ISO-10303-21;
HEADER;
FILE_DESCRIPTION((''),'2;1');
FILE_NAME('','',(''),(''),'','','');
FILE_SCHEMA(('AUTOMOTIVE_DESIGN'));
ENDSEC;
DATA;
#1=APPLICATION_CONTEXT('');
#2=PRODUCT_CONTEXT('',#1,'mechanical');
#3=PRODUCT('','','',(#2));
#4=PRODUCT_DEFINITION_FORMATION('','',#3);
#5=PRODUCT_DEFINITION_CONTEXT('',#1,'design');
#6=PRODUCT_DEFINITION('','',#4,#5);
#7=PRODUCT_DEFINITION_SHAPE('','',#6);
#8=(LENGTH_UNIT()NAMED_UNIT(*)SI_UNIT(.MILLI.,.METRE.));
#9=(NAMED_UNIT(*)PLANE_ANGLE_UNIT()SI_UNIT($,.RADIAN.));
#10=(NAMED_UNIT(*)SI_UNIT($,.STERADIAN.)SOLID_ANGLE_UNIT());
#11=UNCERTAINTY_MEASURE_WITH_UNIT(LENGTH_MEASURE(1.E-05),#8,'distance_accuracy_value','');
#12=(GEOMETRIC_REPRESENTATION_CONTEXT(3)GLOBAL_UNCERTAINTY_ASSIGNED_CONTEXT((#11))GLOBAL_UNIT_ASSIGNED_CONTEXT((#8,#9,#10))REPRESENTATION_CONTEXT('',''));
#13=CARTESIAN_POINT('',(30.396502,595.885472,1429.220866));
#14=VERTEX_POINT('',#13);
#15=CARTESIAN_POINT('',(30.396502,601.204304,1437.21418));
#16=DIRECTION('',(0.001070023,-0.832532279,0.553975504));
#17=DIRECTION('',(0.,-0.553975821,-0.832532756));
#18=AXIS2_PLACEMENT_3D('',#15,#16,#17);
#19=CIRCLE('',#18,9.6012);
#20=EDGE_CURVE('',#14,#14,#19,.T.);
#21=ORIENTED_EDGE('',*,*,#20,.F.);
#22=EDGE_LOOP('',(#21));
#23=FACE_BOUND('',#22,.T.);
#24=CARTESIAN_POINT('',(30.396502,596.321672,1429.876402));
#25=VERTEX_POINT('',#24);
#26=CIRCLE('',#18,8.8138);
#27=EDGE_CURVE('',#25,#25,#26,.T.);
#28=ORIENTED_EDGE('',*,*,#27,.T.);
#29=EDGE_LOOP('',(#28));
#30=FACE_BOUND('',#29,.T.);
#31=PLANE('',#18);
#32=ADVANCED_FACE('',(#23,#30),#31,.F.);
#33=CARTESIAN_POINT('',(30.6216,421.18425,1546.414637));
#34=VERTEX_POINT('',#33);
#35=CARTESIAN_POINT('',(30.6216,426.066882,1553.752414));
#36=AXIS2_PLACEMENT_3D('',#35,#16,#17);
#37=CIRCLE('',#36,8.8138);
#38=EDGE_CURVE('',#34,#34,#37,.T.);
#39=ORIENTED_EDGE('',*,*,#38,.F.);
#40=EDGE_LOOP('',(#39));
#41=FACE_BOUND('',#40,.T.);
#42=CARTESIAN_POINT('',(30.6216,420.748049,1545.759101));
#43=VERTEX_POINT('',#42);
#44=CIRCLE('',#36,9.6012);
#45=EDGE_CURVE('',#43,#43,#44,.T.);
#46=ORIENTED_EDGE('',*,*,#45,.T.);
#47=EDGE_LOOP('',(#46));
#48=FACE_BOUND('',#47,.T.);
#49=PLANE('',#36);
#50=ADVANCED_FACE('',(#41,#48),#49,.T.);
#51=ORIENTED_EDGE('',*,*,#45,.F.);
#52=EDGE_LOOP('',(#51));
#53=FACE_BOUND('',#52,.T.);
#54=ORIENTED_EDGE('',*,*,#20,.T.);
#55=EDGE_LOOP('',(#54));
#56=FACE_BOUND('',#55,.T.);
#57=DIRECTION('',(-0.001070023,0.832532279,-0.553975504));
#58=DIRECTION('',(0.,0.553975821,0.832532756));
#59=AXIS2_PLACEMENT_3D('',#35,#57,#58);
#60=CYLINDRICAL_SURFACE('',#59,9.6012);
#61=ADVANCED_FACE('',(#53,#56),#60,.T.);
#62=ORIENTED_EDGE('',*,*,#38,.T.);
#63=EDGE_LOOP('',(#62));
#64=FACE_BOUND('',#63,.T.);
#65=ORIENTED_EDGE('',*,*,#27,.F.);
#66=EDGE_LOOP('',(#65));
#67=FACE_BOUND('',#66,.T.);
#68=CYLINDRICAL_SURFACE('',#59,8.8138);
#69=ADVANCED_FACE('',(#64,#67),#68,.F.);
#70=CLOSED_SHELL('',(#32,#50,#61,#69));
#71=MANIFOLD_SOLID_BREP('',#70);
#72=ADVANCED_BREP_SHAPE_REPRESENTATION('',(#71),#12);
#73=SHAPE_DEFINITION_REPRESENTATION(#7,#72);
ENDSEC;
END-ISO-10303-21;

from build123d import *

# Parameters (mm, degrees)
SKETCH2_R           = 9.601199998
SKETCH2_R_2         = 8.813799998
BOSS_EXTRUDE1_DEPTH = 210.367126


with BuildPart() as part:
    # Sketch2 → Boss-Extrude1 (new body)
    with BuildSketch(Plane(origin=(0.316397262, -246.173121869, 163.806116137), x_dir=(-0.99999934, -0.000659664, 0.000940169), z_dir=(0.001070023, -0.832532279, 0.553975504))):
        with Locations((-29.441850098, -1529.592948735)):
            Circle(SKETCH2_R)
        with Locations((-29.441850098, -1529.592948735)):
            Circle(SKETCH2_R_2, mode=Mode.SUBTRACT)
    extrude(amount=BOSS_EXTRUDE1_DEPTH)


solid = part.part
